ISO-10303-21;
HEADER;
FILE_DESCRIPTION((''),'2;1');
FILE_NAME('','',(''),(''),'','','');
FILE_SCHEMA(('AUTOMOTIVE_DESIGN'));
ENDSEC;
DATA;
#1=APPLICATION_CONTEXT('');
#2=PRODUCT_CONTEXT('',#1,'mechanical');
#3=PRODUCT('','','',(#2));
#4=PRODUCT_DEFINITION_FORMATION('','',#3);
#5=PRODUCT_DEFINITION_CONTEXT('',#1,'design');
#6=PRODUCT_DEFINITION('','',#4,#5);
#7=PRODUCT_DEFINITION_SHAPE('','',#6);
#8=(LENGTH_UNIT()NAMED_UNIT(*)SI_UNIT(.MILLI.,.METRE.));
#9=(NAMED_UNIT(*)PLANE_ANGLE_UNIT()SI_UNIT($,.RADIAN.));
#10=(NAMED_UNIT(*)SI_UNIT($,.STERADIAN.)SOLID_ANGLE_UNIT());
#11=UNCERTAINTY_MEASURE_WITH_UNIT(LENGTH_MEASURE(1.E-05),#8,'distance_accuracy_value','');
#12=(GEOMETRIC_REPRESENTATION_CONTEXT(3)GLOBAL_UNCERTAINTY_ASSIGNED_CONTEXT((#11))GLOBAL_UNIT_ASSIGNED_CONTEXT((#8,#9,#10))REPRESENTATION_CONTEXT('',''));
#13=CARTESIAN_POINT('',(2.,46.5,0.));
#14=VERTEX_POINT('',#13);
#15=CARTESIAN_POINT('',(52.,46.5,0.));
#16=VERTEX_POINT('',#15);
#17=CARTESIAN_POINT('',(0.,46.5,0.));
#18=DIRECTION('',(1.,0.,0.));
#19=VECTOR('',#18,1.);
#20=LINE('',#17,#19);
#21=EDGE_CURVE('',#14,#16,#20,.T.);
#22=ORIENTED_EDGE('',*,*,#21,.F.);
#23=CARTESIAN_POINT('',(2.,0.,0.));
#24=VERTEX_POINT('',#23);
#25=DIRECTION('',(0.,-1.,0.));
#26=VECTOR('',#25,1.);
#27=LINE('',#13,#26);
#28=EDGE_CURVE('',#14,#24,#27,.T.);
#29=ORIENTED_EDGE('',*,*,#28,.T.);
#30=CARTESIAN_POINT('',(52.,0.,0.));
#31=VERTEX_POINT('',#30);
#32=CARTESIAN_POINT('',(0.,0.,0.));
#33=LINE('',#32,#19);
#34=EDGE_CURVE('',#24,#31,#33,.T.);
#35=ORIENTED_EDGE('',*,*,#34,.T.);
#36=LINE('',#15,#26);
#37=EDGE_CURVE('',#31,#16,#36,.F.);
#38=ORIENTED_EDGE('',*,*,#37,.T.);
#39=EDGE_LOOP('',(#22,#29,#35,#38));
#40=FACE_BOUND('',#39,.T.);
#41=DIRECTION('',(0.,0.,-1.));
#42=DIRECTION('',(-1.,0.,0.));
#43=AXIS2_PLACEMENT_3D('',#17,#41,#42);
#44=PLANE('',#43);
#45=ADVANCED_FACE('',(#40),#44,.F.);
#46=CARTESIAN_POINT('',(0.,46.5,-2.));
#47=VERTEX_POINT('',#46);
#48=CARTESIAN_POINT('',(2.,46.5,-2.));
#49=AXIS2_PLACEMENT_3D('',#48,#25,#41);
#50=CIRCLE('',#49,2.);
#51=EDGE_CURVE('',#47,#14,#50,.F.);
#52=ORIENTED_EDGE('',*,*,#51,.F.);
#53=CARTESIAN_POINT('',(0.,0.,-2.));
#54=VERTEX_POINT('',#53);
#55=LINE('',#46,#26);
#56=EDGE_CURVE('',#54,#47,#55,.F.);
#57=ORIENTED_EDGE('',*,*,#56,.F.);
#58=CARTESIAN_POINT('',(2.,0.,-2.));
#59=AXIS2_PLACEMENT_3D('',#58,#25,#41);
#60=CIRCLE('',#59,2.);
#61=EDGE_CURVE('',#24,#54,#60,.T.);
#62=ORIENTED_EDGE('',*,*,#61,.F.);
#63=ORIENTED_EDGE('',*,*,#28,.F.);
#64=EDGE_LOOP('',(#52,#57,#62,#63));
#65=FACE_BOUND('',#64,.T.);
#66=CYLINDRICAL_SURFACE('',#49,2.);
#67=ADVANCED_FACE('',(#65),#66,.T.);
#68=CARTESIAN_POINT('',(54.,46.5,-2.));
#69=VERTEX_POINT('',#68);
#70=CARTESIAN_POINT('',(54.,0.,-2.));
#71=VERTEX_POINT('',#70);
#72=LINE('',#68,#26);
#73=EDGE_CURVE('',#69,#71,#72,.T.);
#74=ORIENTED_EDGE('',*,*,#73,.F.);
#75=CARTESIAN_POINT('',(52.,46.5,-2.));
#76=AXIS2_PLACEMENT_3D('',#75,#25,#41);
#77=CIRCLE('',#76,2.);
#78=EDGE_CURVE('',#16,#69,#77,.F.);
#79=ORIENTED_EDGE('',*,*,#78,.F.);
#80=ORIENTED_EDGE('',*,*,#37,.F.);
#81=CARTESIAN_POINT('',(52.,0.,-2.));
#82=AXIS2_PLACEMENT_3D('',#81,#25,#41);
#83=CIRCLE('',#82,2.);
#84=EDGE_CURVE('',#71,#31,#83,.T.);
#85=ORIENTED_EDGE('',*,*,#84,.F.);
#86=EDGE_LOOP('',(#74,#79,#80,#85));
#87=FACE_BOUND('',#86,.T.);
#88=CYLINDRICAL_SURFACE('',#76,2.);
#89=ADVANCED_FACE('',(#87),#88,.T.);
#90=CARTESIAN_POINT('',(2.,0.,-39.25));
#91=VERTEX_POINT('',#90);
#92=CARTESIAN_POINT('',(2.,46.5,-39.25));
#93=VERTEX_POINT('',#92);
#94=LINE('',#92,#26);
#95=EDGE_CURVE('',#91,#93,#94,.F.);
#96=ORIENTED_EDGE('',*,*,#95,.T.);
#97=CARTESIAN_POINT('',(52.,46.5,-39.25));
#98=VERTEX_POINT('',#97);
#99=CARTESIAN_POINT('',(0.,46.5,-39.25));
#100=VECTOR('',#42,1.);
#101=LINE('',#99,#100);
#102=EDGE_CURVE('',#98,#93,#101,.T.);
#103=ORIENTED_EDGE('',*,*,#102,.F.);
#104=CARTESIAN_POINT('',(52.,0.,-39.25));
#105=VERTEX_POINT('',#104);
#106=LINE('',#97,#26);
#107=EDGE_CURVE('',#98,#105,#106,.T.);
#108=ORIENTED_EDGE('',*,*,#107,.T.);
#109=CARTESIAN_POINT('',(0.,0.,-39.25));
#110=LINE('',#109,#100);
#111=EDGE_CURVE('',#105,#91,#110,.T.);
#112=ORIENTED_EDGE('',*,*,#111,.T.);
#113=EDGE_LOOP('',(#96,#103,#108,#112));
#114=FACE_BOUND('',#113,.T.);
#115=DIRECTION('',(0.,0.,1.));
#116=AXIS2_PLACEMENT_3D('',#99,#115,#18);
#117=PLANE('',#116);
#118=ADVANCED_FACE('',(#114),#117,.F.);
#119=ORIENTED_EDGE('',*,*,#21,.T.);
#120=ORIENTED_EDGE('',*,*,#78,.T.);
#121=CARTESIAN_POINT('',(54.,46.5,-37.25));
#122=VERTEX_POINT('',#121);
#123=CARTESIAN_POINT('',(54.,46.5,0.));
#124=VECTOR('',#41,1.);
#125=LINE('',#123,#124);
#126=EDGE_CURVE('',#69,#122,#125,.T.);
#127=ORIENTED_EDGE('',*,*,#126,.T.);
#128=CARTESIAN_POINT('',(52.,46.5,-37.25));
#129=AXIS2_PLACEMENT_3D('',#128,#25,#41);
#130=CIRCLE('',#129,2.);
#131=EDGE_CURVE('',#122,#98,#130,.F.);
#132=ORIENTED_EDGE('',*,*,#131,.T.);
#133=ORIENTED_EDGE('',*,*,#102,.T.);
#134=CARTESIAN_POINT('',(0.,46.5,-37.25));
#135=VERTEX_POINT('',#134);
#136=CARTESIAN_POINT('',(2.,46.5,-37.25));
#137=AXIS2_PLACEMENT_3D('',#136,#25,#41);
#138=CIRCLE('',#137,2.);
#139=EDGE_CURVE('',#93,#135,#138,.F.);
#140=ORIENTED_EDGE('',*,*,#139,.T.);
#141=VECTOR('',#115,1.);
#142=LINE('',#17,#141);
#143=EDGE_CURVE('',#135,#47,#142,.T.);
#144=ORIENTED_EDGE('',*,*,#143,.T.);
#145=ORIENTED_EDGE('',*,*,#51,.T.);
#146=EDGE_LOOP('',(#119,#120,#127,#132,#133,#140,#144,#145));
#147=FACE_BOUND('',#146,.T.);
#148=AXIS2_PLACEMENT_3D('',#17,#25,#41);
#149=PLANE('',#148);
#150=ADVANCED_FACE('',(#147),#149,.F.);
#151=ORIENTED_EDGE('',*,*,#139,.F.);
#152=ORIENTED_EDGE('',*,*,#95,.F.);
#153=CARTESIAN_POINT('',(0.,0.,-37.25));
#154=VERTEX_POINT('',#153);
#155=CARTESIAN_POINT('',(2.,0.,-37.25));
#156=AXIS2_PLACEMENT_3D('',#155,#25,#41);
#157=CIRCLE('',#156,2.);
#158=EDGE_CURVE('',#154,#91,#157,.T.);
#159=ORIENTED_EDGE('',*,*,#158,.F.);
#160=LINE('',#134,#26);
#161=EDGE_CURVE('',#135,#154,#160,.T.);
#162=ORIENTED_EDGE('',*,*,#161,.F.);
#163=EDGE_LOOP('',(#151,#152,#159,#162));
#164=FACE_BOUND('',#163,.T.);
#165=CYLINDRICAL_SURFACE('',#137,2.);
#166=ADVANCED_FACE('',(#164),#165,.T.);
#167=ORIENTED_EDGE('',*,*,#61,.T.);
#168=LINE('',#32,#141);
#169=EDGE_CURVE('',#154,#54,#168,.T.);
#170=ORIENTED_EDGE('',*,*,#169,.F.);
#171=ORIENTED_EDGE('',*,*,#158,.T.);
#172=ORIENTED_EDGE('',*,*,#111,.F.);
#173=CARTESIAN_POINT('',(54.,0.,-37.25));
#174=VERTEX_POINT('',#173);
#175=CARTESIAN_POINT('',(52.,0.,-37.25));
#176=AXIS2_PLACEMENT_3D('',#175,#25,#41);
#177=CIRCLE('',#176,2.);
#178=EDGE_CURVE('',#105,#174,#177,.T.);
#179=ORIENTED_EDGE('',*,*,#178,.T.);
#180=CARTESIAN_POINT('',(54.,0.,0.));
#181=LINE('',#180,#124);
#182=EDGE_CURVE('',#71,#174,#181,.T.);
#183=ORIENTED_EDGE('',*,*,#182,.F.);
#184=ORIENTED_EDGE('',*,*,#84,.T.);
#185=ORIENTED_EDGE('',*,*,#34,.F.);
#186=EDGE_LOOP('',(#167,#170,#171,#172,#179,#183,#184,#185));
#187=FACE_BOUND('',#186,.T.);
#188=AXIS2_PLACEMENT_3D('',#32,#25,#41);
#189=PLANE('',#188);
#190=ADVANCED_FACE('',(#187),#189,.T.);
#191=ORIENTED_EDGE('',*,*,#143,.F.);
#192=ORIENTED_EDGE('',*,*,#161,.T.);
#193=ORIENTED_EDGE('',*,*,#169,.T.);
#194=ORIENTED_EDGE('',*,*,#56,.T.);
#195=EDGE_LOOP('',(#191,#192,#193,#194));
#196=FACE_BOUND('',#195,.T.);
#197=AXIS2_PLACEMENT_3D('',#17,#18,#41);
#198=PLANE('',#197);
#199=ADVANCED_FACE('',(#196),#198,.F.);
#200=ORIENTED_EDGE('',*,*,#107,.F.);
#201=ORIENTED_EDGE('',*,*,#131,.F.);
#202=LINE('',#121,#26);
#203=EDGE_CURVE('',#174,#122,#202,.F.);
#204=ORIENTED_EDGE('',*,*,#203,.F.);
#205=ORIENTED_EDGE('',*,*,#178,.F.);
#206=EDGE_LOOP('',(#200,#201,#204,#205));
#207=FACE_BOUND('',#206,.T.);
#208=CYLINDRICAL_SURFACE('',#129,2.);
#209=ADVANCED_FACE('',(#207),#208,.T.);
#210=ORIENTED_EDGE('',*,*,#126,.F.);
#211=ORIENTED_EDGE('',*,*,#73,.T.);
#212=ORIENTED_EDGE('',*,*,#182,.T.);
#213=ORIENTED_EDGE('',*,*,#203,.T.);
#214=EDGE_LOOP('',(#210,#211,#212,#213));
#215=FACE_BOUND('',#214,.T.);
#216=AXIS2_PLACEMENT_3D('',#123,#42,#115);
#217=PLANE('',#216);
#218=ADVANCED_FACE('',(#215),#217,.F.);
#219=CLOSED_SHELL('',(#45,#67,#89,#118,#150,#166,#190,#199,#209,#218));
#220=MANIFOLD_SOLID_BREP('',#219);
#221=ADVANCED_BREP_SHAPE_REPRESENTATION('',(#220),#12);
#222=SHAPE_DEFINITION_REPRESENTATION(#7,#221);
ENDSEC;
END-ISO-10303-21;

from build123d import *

# Parameters (mm, degrees)
SKETCH1_W           = 54
SKETCH1_H           = 39.25
BOSS_EXTRUDE1_DEPTH = 46.5
FILLET1_R           = 2
FILLET2_R           = 2


with BuildPart() as part:
    # Sketch1 → Boss-Extrude1 (new body)
    with BuildSketch(Plane(origin=(0, 0, 0), x_dir=(1, 0, 0), z_dir=(0, 1, 0))):
        with Locations((27, 19.625)):
            Rectangle(SKETCH1_W, SKETCH1_H)
    extrude(amount=BOSS_EXTRUDE1_DEPTH)

    # Fillet1
    fillet1_edges = [part.edges().sort_by_distance(p)[0] for p in [
        (0, 23.25, 0),
    ]]
    fillet(fillet1_edges, radius=FILLET1_R)

    # Fillet2
    fillet2_edges = [part.edges().sort_by_distance(p)[0] for p in [
        (0, 23.25, -39.25),
        (54, 23.25, -39.25),
        (54, 23.25, 0),
    ]]
    fillet(fillet2_edges, radius=FILLET2_R)


solid = part.part
